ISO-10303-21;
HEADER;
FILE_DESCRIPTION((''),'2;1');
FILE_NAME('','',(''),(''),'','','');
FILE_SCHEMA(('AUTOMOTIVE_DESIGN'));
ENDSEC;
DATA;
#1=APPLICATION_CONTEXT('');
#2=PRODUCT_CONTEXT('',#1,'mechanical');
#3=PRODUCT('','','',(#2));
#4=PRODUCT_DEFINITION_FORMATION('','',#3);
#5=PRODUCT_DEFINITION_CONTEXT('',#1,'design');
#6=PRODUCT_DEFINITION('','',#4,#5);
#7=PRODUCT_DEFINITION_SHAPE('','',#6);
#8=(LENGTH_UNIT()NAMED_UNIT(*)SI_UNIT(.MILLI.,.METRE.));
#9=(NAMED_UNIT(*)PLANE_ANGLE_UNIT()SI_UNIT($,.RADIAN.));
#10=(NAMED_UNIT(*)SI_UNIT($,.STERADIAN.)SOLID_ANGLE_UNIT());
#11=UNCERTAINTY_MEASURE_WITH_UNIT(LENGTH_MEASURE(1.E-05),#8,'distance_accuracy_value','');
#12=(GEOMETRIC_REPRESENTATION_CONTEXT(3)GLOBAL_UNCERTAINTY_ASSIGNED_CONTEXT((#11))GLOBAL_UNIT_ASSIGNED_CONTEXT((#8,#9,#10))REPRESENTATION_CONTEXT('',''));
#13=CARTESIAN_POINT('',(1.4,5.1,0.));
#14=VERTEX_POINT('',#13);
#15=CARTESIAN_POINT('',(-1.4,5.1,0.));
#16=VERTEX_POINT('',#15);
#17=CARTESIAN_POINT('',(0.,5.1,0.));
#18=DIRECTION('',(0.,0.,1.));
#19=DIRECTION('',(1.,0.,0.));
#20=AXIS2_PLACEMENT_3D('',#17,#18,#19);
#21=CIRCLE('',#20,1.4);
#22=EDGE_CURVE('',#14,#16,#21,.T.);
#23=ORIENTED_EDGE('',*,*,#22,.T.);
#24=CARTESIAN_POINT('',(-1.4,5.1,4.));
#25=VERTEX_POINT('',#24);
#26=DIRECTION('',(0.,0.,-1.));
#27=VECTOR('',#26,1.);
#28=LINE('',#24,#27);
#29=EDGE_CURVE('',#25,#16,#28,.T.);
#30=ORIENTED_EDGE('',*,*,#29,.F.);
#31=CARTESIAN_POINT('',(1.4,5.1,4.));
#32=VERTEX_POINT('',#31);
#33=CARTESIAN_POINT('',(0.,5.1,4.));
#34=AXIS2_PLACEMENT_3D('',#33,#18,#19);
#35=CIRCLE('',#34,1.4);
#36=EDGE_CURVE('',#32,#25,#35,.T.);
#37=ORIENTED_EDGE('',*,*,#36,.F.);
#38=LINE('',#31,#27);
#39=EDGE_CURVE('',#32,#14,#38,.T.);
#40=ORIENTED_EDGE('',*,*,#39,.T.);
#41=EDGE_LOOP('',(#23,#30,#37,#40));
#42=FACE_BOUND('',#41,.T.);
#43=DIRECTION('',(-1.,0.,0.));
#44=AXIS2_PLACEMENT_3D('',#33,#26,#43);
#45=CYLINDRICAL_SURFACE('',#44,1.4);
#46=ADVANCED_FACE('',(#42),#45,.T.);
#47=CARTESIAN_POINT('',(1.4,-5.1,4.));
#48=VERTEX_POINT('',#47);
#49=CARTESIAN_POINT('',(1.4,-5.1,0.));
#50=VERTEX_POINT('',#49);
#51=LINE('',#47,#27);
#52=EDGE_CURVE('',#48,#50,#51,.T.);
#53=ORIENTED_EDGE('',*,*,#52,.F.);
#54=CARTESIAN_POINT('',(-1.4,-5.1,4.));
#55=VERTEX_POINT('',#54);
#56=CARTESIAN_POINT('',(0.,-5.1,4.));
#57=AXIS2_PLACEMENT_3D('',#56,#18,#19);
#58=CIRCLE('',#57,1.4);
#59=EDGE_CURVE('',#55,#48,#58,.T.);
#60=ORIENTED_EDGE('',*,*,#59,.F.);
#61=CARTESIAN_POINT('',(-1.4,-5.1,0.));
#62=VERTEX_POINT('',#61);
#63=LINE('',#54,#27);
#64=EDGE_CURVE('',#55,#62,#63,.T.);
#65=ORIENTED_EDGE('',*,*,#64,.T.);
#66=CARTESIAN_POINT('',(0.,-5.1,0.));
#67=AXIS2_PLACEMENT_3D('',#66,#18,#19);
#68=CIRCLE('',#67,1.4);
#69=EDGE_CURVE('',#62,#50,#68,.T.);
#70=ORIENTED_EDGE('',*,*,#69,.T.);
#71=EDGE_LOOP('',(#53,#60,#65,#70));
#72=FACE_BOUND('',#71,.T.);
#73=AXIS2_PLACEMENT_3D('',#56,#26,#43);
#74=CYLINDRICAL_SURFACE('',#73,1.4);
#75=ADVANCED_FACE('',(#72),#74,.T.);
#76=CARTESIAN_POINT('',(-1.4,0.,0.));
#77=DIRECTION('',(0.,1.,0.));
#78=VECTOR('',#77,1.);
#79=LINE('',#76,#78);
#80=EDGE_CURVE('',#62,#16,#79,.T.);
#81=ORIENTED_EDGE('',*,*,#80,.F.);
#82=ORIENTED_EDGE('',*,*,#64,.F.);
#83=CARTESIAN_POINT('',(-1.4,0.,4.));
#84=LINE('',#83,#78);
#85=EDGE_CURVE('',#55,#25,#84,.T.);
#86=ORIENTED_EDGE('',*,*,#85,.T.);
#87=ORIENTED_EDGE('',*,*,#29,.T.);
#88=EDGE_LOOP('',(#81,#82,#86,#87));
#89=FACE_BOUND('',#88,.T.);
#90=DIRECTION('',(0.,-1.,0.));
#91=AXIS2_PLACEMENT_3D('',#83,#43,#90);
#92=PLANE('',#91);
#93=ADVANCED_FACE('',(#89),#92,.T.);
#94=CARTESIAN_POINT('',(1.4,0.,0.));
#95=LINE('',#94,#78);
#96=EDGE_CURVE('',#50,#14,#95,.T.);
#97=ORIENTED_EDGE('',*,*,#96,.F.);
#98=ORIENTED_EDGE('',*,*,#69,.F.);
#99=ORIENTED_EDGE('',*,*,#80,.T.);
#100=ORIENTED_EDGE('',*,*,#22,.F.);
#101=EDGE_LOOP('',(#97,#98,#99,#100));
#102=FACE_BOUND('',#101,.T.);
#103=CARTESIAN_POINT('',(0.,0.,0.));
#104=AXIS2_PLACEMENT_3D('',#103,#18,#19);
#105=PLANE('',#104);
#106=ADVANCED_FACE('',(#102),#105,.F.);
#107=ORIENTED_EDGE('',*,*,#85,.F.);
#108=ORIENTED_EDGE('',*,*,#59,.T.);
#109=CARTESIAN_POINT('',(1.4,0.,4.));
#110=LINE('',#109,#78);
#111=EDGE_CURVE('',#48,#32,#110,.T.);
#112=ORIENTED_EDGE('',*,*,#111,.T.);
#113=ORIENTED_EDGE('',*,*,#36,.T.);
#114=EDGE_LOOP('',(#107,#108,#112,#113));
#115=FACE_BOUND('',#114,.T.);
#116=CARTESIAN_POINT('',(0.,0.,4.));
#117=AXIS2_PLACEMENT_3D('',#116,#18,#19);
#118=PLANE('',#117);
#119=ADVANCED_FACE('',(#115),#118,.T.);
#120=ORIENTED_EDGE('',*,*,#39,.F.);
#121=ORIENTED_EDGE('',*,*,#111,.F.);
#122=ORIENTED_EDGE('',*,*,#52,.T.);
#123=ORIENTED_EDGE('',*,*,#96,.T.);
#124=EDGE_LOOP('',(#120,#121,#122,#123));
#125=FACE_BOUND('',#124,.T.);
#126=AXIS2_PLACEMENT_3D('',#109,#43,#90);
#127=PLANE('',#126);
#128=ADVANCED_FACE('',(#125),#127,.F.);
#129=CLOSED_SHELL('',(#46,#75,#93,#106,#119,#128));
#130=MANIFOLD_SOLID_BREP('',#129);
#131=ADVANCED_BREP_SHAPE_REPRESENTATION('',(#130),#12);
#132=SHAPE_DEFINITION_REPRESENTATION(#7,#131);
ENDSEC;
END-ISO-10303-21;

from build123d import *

# Parameters (mm, degrees)
BOSS_EXTRUDE1_DEPTH = 4


with BuildPart() as part:
    # Sketch1 → Boss-Extrude1 (new body)
    with BuildSketch(Plane.XY):
        with BuildLine():
            Line((0, 6.5), (0, -6.5))
            ThreePointArc((0, -6.5), (0.989949494, -6.089949494), (1.4, -5.1))
            Line((1.4, -5.1), (1.4, 5.1))
            ThreePointArc((1.4, 5.1), (0.989949494, 6.089949494), (0, 6.5))
        make_face()
        with BuildLine():
            Line((-1.4, 5.1), (-1.4, -5.1))
            ThreePointArc((-1.4, -5.1), (-0.989949494, -6.089949494), (0, -6.5))
            Line((0, -6.5), (0, 6.5))
            ThreePointArc((0, 6.5), (-0.989949494, 6.089949494), (-1.4, 5.1))
        make_face()
    extrude(amount=BOSS_EXTRUDE1_DEPTH)


solid = part.part
